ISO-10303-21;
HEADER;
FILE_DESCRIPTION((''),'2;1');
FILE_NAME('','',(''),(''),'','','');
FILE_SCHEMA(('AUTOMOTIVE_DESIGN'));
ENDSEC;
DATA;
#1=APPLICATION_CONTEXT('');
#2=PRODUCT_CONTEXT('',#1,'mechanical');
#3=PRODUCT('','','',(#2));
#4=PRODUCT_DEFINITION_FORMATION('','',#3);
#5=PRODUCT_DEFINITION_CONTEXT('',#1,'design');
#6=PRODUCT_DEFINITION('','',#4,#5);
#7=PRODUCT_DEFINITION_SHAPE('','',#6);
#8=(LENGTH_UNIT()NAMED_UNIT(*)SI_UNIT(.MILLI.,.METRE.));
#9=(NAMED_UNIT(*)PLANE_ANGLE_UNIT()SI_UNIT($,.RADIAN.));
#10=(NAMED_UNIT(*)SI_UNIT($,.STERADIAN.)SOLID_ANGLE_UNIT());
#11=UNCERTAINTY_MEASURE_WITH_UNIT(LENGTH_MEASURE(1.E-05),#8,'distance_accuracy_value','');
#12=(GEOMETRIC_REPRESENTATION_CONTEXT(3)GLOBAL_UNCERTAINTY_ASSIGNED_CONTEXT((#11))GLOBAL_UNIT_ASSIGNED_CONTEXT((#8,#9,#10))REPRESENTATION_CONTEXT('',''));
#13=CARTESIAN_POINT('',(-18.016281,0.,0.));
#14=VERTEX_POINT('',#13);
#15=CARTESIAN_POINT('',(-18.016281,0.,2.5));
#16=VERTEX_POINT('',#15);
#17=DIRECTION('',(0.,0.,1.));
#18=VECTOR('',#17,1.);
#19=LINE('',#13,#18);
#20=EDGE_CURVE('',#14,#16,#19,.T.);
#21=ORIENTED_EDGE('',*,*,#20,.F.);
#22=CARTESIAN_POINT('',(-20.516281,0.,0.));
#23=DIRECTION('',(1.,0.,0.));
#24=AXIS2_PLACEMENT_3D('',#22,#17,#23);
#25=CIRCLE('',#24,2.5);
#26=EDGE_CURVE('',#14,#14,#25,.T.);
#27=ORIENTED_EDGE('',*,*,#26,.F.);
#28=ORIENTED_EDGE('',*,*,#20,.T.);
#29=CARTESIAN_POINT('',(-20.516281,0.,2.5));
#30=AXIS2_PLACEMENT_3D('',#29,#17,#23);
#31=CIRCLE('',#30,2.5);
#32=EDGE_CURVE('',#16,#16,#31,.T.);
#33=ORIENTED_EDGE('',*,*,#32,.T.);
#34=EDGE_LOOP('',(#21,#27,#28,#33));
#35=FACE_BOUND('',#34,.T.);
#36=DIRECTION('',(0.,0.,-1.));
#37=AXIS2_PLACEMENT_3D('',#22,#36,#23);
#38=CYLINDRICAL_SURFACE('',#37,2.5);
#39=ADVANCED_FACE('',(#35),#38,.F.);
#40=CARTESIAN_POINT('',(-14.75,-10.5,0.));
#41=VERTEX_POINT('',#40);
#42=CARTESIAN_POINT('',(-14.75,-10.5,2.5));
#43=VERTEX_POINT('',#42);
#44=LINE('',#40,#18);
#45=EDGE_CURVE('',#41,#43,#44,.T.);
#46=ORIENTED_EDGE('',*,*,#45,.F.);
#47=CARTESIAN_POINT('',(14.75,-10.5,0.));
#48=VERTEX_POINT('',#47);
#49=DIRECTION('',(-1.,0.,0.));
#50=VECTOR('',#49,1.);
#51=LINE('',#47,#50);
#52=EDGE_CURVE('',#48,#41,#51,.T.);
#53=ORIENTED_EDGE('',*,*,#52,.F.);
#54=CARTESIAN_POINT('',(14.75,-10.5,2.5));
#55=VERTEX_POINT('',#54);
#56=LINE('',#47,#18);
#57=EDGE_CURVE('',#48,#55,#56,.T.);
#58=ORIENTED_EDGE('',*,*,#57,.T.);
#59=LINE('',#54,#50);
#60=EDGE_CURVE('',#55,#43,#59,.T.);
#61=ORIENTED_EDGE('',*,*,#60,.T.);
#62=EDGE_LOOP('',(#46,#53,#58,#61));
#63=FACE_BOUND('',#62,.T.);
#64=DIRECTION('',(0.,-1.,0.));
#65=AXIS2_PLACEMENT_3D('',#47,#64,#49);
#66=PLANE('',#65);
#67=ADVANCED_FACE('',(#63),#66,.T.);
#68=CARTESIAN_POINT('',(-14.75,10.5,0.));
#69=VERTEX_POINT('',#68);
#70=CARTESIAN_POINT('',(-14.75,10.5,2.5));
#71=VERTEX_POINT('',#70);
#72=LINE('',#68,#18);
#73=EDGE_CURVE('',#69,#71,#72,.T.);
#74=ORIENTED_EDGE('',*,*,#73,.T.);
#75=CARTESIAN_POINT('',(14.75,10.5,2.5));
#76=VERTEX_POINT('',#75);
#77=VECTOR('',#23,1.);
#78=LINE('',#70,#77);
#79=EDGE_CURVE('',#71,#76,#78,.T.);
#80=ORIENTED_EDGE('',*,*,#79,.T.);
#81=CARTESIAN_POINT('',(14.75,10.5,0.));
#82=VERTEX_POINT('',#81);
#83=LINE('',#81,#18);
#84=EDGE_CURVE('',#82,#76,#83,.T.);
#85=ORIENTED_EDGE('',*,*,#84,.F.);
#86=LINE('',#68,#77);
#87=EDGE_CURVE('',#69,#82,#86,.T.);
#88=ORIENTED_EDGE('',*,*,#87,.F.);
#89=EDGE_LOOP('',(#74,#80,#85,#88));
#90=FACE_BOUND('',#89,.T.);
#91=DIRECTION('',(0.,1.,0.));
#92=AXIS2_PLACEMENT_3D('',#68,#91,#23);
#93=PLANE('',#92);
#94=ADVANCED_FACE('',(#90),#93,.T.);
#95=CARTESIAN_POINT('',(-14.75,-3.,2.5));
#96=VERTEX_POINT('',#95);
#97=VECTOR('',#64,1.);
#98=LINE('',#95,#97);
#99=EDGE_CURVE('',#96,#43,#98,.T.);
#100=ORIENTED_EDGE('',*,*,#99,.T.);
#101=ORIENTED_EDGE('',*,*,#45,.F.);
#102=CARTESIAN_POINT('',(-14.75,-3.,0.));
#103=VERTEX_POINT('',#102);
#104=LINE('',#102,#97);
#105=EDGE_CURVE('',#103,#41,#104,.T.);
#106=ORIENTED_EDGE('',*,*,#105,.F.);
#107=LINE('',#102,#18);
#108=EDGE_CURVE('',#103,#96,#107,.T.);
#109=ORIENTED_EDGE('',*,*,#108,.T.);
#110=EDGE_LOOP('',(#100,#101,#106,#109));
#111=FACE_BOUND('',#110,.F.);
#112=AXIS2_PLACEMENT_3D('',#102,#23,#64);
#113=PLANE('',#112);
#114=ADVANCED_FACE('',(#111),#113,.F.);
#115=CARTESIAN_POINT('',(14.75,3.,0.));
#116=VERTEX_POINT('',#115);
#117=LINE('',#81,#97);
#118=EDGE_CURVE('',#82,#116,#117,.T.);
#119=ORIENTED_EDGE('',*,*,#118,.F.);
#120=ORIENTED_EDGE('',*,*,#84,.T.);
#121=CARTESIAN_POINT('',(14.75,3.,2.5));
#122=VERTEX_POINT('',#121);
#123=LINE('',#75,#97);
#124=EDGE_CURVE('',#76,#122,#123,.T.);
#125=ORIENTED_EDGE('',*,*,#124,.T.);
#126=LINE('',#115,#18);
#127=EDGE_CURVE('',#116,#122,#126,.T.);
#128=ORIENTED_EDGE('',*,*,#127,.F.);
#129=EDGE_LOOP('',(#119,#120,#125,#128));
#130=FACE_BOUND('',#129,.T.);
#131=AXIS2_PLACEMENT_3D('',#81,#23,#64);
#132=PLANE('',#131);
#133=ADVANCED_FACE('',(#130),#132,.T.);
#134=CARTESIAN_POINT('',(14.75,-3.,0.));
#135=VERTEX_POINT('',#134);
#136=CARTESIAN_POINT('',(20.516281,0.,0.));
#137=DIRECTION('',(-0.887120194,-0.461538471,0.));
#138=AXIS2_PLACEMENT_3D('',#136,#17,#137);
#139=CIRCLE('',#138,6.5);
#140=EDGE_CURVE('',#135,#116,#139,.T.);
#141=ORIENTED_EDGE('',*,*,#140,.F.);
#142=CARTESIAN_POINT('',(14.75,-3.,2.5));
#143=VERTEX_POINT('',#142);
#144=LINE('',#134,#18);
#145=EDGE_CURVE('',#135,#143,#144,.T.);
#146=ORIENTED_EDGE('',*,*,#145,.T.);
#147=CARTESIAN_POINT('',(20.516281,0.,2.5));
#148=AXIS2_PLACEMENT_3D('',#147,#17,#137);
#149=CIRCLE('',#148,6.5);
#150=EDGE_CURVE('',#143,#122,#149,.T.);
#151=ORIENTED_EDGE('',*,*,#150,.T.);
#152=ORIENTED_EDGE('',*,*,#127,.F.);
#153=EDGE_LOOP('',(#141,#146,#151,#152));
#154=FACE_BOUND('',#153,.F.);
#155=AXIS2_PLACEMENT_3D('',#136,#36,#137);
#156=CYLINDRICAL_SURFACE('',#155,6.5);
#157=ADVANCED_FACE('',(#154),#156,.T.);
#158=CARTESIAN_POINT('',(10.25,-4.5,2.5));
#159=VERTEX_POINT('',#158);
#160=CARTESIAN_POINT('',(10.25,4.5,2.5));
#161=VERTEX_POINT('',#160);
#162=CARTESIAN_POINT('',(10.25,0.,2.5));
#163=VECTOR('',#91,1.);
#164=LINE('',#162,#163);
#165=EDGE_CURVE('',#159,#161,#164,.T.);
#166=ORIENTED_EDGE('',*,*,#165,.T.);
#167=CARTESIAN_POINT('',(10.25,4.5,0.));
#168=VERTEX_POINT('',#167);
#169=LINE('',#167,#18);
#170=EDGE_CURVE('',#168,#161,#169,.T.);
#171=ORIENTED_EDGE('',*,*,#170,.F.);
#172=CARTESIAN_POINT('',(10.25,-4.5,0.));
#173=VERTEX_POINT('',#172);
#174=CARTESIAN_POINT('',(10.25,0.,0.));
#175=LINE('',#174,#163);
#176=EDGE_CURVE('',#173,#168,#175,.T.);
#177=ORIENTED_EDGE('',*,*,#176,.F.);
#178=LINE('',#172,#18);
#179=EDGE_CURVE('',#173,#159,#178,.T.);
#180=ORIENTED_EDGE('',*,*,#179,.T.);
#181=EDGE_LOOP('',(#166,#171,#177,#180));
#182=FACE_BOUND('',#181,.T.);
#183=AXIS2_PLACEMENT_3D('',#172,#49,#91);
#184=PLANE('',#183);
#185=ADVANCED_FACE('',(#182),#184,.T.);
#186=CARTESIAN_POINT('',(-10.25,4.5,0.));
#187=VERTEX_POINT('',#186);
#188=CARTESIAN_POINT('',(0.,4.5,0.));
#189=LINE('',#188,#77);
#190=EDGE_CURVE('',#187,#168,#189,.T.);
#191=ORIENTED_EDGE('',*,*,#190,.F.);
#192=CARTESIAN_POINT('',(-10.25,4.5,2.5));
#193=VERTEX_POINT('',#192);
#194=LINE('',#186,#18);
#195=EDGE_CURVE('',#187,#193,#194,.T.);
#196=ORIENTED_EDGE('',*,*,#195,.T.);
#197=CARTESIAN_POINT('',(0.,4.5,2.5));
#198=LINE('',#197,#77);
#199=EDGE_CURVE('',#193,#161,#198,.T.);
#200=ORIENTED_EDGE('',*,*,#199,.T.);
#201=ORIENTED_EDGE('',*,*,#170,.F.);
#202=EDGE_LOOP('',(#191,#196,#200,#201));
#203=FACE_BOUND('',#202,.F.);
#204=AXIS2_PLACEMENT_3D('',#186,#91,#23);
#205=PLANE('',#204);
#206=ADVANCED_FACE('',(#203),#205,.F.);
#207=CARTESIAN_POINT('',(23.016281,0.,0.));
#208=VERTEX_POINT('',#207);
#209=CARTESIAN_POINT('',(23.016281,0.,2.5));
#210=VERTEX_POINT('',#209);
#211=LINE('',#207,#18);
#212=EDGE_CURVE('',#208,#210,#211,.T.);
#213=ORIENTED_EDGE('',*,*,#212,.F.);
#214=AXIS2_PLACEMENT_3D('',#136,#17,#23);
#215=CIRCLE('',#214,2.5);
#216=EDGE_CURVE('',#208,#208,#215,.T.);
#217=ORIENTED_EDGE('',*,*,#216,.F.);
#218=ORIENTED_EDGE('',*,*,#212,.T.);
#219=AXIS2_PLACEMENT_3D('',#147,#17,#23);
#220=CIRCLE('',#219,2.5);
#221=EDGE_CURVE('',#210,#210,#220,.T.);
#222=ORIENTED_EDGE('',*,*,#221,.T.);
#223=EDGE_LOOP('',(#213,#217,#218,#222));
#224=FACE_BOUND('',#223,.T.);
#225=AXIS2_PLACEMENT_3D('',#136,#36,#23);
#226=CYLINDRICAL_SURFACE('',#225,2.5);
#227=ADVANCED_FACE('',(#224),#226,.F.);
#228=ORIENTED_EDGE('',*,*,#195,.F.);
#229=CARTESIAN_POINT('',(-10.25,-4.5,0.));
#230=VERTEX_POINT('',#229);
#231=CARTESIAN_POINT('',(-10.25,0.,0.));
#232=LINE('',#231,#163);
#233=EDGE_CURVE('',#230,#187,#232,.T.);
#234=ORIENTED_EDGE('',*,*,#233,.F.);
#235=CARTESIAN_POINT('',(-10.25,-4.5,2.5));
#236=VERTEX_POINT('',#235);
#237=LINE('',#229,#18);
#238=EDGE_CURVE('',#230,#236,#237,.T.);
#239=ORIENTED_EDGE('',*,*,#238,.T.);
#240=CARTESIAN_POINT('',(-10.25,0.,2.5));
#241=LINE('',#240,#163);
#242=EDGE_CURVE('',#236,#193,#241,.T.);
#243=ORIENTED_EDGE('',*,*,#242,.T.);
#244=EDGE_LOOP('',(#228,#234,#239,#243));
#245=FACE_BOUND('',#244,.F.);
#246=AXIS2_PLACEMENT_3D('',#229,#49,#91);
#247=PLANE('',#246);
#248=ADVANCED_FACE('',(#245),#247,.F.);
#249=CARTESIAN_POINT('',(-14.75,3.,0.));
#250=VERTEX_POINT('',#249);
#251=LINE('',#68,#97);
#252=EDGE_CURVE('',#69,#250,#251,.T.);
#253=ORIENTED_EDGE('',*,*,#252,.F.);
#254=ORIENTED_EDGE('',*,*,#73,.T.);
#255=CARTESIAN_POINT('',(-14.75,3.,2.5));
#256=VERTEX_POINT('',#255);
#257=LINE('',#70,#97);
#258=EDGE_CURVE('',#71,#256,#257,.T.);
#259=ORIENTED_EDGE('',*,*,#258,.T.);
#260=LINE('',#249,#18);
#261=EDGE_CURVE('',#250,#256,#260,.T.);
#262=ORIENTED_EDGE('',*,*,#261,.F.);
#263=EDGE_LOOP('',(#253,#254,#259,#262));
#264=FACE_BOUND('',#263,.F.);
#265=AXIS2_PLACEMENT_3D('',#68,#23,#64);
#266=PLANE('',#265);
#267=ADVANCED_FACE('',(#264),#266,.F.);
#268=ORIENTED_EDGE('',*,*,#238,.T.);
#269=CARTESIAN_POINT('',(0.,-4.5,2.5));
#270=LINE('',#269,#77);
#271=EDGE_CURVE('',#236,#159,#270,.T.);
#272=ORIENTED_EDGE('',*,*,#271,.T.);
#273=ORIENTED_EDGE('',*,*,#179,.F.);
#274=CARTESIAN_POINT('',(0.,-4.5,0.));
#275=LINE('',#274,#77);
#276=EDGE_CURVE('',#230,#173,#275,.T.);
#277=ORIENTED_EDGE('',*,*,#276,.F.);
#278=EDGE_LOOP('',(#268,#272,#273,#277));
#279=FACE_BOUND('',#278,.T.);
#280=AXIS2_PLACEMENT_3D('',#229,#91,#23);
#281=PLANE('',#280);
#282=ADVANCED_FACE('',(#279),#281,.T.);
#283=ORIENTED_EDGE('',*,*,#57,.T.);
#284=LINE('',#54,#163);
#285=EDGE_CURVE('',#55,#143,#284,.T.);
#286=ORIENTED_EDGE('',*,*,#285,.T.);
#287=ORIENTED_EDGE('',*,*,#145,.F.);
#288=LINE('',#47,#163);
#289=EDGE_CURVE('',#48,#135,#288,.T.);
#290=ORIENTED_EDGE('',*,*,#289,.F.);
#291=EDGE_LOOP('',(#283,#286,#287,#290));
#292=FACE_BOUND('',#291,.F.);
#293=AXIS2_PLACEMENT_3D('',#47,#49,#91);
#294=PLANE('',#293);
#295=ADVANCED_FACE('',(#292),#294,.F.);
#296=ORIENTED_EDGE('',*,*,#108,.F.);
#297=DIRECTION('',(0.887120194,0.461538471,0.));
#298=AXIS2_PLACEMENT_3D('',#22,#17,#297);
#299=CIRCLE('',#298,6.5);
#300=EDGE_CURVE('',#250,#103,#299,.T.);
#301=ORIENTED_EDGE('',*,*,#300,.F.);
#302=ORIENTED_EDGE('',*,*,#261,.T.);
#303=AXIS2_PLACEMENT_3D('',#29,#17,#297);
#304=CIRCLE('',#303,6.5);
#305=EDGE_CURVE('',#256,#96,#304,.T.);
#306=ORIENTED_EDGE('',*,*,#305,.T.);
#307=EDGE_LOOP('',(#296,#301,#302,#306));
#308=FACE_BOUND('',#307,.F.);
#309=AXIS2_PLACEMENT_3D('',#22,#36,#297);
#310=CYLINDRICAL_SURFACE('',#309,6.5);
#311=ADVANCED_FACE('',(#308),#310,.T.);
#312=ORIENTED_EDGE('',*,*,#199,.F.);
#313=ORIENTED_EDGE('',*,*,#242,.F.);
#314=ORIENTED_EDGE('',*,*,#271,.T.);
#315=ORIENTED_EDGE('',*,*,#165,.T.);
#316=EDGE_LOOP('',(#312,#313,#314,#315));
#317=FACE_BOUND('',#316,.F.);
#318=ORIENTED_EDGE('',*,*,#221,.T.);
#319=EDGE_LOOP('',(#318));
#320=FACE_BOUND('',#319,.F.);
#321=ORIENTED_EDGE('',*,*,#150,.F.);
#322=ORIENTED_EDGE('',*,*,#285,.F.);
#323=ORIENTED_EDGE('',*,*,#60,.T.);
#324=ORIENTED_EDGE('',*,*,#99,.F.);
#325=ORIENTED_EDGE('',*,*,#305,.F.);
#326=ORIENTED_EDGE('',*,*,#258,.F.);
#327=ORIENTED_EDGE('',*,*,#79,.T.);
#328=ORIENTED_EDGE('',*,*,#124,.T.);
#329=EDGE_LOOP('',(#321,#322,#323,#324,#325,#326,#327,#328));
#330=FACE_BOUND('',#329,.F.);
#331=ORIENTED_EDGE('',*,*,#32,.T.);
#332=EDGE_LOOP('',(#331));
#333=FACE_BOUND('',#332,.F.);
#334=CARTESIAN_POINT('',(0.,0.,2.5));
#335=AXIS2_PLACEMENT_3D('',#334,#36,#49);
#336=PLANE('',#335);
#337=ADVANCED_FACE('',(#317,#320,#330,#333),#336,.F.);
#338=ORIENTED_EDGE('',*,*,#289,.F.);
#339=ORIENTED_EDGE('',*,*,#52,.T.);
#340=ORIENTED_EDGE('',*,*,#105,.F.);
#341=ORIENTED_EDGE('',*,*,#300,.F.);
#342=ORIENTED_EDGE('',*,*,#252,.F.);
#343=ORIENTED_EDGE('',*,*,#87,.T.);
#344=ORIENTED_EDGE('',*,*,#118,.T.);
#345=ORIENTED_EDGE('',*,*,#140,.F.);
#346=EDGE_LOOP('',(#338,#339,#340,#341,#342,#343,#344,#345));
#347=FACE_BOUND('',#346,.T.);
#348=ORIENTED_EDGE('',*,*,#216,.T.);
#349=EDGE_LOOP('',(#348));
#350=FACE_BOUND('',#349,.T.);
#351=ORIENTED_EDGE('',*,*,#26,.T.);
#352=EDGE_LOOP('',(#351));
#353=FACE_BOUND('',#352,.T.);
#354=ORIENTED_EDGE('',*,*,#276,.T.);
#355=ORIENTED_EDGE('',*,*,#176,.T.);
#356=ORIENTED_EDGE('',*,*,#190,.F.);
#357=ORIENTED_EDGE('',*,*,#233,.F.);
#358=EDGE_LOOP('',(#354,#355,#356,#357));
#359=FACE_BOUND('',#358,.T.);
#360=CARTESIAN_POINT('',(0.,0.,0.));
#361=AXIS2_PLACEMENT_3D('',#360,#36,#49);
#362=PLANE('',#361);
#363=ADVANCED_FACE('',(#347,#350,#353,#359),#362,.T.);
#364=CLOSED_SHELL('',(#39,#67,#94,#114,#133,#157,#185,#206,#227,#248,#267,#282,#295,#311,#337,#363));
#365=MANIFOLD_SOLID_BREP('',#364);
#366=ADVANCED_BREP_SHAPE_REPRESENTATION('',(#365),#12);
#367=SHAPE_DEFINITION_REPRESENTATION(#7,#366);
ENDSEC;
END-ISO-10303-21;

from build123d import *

# Parameters (mm, degrees)
SKETCH_R  = 2.5
SKETCH_W  = 20.5
SKETCH_H  = 9
PAD_DEPTH = 2.5


with BuildPart() as part:
    # Sketch → Pad (new body)
    with BuildSketch(Plane.XY):
        with BuildLine():
            Line((-14.75, 10.5), (14.75, 10.5))
            Line((14.75, 10.5), (14.75, 3))
            ThreePointArc((14.75, -3), (27.016281, 0), (14.75, 3))
            Line((14.75, -10.5), (14.75, -3))
            Line((14.75, -10.5), (-14.75, -10.5))
            Line((-14.75, -3), (-14.75, -10.5))
            ThreePointArc((-14.75, 3), (-27.016281, 0), (-14.75, -3))
            Line((-14.75, 10.5), (-14.75, 3))
        make_face()
        with Locations((-20.516281, 0)):
            Circle(SKETCH_R, mode=Mode.SUBTRACT)
        with Locations((20.516281, 0)):
            Circle(SKETCH_R, mode=Mode.SUBTRACT)
        Rectangle(SKETCH_W, SKETCH_H, mode=Mode.SUBTRACT)
    extrude(amount=PAD_DEPTH)


solid = part.part
